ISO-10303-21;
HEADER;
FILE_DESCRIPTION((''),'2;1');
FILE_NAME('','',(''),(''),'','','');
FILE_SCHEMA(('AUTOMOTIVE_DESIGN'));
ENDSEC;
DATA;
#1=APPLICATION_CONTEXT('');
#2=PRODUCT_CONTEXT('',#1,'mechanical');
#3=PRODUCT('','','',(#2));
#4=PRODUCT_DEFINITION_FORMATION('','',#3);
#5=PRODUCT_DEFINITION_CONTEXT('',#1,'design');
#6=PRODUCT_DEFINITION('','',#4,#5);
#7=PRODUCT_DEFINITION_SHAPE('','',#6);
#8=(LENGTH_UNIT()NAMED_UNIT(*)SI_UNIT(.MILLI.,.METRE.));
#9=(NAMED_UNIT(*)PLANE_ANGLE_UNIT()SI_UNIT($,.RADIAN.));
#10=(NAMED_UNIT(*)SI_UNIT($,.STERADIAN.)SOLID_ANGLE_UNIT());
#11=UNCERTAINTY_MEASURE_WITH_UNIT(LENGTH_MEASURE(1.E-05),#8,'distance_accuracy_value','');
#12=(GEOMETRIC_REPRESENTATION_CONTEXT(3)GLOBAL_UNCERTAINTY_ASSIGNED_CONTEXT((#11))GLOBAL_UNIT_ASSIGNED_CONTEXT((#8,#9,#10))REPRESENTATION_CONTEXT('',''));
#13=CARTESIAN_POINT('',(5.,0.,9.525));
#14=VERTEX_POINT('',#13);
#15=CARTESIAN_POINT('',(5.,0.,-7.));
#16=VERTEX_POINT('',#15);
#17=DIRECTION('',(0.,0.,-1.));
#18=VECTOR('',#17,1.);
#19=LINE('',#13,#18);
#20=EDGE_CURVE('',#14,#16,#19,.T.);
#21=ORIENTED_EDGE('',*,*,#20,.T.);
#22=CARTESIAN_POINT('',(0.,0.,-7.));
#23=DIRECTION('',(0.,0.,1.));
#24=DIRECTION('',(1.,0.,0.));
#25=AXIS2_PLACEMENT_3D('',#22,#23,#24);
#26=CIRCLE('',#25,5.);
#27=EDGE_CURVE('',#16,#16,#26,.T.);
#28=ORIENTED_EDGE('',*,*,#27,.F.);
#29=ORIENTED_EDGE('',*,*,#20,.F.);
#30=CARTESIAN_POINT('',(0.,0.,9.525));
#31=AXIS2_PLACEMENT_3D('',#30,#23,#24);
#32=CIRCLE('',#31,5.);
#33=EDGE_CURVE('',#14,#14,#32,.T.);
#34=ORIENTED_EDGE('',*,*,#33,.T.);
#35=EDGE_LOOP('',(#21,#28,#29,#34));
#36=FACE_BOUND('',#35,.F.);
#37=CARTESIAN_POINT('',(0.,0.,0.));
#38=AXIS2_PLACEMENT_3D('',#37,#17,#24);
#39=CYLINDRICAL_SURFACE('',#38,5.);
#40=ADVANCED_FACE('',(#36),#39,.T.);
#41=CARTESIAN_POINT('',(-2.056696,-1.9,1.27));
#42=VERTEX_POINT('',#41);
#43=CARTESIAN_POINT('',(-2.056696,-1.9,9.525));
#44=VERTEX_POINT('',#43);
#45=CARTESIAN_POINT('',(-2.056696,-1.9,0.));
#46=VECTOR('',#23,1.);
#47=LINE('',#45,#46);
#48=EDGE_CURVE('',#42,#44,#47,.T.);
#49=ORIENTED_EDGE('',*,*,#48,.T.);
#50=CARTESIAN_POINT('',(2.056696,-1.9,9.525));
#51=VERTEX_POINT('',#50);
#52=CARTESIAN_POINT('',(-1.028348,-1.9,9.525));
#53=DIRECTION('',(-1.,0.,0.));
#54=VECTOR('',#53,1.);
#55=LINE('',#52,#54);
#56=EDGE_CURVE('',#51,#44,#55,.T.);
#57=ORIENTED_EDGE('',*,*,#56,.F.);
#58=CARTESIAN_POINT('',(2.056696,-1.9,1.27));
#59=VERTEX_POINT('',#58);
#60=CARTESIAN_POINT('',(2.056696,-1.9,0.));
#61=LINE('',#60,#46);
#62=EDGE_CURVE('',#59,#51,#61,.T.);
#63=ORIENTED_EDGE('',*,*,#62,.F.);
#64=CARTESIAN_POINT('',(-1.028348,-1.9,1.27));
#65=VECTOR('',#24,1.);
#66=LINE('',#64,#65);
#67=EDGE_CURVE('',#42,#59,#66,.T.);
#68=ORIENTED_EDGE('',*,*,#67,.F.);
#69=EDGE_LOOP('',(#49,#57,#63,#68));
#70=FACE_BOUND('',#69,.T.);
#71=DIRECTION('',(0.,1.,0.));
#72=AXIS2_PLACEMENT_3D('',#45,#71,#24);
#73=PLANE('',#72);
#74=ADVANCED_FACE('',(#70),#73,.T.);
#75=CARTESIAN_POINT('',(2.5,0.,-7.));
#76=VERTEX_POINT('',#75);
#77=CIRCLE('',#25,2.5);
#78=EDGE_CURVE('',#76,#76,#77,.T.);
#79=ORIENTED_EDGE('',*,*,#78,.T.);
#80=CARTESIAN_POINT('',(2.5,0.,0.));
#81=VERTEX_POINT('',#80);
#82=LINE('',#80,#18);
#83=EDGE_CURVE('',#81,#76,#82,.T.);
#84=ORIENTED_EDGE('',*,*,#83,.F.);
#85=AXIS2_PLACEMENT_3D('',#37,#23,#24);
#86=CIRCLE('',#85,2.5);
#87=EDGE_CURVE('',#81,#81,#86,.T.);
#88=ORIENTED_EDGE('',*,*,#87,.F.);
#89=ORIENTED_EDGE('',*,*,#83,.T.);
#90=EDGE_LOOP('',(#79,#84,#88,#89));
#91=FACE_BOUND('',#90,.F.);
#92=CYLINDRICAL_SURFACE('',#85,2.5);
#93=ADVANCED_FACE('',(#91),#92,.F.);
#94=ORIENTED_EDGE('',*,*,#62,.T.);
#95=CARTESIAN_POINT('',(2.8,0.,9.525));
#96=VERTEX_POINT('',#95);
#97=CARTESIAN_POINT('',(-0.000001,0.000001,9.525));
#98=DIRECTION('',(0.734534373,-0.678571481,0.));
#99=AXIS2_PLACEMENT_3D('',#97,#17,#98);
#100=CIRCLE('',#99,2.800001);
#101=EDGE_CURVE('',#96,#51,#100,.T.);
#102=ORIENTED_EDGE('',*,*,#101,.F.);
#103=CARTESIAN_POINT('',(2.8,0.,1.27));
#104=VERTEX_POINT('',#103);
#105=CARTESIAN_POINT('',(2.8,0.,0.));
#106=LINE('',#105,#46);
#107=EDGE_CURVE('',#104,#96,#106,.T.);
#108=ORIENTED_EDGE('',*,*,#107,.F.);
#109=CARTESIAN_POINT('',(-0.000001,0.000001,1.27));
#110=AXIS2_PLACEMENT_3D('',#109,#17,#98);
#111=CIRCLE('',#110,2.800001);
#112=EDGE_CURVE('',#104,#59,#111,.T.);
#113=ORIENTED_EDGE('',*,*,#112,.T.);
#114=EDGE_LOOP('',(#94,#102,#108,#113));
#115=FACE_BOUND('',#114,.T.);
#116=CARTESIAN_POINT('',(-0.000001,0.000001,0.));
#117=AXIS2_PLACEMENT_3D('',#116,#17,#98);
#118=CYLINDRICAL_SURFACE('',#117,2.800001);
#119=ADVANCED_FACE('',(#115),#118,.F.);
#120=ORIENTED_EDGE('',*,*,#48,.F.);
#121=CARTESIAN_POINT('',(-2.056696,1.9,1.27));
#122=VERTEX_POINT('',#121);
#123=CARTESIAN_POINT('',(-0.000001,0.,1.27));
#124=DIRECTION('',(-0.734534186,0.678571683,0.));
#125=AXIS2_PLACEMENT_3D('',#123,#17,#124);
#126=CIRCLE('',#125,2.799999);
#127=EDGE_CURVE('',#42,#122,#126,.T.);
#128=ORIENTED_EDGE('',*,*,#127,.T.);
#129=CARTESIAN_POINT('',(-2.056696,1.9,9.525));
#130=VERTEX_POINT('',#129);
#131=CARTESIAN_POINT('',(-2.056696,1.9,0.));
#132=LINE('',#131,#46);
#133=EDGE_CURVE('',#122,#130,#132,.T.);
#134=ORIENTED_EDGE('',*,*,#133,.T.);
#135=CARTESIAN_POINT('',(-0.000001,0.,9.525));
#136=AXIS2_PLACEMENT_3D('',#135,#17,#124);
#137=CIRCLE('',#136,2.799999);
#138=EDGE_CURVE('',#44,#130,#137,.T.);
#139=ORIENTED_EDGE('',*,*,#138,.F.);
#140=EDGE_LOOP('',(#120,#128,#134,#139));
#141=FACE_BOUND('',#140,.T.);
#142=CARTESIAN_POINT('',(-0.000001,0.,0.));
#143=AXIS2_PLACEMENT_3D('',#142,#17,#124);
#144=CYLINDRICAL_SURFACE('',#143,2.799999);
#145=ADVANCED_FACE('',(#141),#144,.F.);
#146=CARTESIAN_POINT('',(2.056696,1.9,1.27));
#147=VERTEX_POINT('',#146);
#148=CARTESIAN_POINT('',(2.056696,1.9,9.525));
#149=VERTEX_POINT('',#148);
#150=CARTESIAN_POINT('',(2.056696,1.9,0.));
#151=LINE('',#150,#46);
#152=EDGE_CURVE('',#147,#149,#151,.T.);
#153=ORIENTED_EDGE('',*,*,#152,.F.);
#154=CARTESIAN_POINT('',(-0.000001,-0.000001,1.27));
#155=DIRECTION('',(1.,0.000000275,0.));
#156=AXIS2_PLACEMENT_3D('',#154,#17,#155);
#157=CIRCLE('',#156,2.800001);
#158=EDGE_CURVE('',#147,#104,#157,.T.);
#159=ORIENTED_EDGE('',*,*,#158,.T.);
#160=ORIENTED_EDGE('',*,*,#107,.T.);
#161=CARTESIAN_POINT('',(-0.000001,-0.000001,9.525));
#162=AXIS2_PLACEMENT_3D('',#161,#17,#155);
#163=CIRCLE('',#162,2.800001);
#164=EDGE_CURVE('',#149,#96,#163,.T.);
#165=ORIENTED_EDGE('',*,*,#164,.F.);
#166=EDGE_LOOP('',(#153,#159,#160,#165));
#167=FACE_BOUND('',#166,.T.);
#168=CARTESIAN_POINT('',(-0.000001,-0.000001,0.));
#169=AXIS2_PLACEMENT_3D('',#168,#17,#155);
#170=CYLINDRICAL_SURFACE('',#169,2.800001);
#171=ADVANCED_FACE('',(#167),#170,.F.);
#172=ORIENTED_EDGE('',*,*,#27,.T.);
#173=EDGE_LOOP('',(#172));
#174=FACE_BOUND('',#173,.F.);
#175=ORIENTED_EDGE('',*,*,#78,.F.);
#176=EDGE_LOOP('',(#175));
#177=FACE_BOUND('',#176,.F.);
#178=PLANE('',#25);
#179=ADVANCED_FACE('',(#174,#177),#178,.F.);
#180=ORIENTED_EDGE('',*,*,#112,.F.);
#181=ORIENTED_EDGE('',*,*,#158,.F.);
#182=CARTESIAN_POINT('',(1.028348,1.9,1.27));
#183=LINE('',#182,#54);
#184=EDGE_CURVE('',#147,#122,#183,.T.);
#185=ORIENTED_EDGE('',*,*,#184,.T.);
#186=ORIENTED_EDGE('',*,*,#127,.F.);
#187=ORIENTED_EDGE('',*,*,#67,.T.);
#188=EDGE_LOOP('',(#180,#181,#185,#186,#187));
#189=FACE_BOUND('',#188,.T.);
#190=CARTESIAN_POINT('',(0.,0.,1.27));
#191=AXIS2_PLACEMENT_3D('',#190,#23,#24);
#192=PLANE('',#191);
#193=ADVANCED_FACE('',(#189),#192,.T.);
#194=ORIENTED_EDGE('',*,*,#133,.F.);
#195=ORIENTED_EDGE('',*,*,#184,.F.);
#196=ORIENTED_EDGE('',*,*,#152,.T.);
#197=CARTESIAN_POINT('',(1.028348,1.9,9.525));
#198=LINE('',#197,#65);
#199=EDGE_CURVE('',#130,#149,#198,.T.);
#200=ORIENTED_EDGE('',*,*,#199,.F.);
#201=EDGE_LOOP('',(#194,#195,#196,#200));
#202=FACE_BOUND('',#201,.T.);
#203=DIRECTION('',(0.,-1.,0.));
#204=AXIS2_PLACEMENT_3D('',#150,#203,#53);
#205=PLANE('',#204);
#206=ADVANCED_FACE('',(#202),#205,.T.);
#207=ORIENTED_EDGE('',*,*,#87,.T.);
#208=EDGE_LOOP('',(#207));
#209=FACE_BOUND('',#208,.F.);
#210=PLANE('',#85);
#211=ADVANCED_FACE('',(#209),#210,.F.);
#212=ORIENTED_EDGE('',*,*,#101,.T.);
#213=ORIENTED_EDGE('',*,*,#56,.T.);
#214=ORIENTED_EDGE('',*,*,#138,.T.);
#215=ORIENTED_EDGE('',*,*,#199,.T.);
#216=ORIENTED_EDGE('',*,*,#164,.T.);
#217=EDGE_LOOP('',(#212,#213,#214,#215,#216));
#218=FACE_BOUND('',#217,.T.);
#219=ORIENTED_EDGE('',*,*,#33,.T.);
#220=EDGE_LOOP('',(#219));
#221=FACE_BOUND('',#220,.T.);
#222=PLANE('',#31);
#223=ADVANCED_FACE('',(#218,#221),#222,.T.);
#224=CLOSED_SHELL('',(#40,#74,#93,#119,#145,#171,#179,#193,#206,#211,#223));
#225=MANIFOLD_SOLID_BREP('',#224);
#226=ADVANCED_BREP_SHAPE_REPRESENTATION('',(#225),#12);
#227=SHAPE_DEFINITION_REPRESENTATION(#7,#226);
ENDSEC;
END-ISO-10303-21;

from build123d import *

# Parameters (mm, degrees)
F0_R          = 5
F1_DEPTH      = 9.525
F1_DEPTH_BACK = 7
F4_DEPTH      = 9.526
F3_R          = 2.5
F5_DEPTH      = 7.001
F6_DEPTH      = 1.27


with BuildPart() as f1:
    # F0 (on Top) → F1 (new body, two sides)
    with BuildSketch(Plane.XY) as f1_sk:
        Circle(F0_R)
    extrude(amount=F1_DEPTH)
    extrude(f1_sk.sketch, amount=-F1_DEPTH_BACK)

    # F2 (on Top) → F4 (cut, through all)
    with BuildSketch(Plane.XY):
        with BuildLine():
            ThreePointArc((2.056696, -1.9), (2.607561, -1.02011), (2.8, 0))
            ThreePointArc((2.8, 0), (2.607561, 1.02011), (2.056696, 1.9))
            Line((2.056696, 1.9), (-2.056696, 1.9))
            ThreePointArc((-2.056696, 1.9), (-2.8, 0), (-2.056696, -1.9))
            Line((-2.056696, -1.9), (2.056696, -1.9))
        make_face()
    extrude(amount=F4_DEPTH, mode=Mode.SUBTRACT)

    # F3 (on Top) → F5 (cut, through all)
    with BuildSketch(Plane.XY):
        Circle(F3_R)
    extrude(amount=-F5_DEPTH, mode=Mode.SUBTRACT)

    # F0 (on Top) → F6 (join)
    with BuildSketch(Plane.XY):
        Circle(F0_R)
    extrude(amount=F6_DEPTH)


solid = f1.part
